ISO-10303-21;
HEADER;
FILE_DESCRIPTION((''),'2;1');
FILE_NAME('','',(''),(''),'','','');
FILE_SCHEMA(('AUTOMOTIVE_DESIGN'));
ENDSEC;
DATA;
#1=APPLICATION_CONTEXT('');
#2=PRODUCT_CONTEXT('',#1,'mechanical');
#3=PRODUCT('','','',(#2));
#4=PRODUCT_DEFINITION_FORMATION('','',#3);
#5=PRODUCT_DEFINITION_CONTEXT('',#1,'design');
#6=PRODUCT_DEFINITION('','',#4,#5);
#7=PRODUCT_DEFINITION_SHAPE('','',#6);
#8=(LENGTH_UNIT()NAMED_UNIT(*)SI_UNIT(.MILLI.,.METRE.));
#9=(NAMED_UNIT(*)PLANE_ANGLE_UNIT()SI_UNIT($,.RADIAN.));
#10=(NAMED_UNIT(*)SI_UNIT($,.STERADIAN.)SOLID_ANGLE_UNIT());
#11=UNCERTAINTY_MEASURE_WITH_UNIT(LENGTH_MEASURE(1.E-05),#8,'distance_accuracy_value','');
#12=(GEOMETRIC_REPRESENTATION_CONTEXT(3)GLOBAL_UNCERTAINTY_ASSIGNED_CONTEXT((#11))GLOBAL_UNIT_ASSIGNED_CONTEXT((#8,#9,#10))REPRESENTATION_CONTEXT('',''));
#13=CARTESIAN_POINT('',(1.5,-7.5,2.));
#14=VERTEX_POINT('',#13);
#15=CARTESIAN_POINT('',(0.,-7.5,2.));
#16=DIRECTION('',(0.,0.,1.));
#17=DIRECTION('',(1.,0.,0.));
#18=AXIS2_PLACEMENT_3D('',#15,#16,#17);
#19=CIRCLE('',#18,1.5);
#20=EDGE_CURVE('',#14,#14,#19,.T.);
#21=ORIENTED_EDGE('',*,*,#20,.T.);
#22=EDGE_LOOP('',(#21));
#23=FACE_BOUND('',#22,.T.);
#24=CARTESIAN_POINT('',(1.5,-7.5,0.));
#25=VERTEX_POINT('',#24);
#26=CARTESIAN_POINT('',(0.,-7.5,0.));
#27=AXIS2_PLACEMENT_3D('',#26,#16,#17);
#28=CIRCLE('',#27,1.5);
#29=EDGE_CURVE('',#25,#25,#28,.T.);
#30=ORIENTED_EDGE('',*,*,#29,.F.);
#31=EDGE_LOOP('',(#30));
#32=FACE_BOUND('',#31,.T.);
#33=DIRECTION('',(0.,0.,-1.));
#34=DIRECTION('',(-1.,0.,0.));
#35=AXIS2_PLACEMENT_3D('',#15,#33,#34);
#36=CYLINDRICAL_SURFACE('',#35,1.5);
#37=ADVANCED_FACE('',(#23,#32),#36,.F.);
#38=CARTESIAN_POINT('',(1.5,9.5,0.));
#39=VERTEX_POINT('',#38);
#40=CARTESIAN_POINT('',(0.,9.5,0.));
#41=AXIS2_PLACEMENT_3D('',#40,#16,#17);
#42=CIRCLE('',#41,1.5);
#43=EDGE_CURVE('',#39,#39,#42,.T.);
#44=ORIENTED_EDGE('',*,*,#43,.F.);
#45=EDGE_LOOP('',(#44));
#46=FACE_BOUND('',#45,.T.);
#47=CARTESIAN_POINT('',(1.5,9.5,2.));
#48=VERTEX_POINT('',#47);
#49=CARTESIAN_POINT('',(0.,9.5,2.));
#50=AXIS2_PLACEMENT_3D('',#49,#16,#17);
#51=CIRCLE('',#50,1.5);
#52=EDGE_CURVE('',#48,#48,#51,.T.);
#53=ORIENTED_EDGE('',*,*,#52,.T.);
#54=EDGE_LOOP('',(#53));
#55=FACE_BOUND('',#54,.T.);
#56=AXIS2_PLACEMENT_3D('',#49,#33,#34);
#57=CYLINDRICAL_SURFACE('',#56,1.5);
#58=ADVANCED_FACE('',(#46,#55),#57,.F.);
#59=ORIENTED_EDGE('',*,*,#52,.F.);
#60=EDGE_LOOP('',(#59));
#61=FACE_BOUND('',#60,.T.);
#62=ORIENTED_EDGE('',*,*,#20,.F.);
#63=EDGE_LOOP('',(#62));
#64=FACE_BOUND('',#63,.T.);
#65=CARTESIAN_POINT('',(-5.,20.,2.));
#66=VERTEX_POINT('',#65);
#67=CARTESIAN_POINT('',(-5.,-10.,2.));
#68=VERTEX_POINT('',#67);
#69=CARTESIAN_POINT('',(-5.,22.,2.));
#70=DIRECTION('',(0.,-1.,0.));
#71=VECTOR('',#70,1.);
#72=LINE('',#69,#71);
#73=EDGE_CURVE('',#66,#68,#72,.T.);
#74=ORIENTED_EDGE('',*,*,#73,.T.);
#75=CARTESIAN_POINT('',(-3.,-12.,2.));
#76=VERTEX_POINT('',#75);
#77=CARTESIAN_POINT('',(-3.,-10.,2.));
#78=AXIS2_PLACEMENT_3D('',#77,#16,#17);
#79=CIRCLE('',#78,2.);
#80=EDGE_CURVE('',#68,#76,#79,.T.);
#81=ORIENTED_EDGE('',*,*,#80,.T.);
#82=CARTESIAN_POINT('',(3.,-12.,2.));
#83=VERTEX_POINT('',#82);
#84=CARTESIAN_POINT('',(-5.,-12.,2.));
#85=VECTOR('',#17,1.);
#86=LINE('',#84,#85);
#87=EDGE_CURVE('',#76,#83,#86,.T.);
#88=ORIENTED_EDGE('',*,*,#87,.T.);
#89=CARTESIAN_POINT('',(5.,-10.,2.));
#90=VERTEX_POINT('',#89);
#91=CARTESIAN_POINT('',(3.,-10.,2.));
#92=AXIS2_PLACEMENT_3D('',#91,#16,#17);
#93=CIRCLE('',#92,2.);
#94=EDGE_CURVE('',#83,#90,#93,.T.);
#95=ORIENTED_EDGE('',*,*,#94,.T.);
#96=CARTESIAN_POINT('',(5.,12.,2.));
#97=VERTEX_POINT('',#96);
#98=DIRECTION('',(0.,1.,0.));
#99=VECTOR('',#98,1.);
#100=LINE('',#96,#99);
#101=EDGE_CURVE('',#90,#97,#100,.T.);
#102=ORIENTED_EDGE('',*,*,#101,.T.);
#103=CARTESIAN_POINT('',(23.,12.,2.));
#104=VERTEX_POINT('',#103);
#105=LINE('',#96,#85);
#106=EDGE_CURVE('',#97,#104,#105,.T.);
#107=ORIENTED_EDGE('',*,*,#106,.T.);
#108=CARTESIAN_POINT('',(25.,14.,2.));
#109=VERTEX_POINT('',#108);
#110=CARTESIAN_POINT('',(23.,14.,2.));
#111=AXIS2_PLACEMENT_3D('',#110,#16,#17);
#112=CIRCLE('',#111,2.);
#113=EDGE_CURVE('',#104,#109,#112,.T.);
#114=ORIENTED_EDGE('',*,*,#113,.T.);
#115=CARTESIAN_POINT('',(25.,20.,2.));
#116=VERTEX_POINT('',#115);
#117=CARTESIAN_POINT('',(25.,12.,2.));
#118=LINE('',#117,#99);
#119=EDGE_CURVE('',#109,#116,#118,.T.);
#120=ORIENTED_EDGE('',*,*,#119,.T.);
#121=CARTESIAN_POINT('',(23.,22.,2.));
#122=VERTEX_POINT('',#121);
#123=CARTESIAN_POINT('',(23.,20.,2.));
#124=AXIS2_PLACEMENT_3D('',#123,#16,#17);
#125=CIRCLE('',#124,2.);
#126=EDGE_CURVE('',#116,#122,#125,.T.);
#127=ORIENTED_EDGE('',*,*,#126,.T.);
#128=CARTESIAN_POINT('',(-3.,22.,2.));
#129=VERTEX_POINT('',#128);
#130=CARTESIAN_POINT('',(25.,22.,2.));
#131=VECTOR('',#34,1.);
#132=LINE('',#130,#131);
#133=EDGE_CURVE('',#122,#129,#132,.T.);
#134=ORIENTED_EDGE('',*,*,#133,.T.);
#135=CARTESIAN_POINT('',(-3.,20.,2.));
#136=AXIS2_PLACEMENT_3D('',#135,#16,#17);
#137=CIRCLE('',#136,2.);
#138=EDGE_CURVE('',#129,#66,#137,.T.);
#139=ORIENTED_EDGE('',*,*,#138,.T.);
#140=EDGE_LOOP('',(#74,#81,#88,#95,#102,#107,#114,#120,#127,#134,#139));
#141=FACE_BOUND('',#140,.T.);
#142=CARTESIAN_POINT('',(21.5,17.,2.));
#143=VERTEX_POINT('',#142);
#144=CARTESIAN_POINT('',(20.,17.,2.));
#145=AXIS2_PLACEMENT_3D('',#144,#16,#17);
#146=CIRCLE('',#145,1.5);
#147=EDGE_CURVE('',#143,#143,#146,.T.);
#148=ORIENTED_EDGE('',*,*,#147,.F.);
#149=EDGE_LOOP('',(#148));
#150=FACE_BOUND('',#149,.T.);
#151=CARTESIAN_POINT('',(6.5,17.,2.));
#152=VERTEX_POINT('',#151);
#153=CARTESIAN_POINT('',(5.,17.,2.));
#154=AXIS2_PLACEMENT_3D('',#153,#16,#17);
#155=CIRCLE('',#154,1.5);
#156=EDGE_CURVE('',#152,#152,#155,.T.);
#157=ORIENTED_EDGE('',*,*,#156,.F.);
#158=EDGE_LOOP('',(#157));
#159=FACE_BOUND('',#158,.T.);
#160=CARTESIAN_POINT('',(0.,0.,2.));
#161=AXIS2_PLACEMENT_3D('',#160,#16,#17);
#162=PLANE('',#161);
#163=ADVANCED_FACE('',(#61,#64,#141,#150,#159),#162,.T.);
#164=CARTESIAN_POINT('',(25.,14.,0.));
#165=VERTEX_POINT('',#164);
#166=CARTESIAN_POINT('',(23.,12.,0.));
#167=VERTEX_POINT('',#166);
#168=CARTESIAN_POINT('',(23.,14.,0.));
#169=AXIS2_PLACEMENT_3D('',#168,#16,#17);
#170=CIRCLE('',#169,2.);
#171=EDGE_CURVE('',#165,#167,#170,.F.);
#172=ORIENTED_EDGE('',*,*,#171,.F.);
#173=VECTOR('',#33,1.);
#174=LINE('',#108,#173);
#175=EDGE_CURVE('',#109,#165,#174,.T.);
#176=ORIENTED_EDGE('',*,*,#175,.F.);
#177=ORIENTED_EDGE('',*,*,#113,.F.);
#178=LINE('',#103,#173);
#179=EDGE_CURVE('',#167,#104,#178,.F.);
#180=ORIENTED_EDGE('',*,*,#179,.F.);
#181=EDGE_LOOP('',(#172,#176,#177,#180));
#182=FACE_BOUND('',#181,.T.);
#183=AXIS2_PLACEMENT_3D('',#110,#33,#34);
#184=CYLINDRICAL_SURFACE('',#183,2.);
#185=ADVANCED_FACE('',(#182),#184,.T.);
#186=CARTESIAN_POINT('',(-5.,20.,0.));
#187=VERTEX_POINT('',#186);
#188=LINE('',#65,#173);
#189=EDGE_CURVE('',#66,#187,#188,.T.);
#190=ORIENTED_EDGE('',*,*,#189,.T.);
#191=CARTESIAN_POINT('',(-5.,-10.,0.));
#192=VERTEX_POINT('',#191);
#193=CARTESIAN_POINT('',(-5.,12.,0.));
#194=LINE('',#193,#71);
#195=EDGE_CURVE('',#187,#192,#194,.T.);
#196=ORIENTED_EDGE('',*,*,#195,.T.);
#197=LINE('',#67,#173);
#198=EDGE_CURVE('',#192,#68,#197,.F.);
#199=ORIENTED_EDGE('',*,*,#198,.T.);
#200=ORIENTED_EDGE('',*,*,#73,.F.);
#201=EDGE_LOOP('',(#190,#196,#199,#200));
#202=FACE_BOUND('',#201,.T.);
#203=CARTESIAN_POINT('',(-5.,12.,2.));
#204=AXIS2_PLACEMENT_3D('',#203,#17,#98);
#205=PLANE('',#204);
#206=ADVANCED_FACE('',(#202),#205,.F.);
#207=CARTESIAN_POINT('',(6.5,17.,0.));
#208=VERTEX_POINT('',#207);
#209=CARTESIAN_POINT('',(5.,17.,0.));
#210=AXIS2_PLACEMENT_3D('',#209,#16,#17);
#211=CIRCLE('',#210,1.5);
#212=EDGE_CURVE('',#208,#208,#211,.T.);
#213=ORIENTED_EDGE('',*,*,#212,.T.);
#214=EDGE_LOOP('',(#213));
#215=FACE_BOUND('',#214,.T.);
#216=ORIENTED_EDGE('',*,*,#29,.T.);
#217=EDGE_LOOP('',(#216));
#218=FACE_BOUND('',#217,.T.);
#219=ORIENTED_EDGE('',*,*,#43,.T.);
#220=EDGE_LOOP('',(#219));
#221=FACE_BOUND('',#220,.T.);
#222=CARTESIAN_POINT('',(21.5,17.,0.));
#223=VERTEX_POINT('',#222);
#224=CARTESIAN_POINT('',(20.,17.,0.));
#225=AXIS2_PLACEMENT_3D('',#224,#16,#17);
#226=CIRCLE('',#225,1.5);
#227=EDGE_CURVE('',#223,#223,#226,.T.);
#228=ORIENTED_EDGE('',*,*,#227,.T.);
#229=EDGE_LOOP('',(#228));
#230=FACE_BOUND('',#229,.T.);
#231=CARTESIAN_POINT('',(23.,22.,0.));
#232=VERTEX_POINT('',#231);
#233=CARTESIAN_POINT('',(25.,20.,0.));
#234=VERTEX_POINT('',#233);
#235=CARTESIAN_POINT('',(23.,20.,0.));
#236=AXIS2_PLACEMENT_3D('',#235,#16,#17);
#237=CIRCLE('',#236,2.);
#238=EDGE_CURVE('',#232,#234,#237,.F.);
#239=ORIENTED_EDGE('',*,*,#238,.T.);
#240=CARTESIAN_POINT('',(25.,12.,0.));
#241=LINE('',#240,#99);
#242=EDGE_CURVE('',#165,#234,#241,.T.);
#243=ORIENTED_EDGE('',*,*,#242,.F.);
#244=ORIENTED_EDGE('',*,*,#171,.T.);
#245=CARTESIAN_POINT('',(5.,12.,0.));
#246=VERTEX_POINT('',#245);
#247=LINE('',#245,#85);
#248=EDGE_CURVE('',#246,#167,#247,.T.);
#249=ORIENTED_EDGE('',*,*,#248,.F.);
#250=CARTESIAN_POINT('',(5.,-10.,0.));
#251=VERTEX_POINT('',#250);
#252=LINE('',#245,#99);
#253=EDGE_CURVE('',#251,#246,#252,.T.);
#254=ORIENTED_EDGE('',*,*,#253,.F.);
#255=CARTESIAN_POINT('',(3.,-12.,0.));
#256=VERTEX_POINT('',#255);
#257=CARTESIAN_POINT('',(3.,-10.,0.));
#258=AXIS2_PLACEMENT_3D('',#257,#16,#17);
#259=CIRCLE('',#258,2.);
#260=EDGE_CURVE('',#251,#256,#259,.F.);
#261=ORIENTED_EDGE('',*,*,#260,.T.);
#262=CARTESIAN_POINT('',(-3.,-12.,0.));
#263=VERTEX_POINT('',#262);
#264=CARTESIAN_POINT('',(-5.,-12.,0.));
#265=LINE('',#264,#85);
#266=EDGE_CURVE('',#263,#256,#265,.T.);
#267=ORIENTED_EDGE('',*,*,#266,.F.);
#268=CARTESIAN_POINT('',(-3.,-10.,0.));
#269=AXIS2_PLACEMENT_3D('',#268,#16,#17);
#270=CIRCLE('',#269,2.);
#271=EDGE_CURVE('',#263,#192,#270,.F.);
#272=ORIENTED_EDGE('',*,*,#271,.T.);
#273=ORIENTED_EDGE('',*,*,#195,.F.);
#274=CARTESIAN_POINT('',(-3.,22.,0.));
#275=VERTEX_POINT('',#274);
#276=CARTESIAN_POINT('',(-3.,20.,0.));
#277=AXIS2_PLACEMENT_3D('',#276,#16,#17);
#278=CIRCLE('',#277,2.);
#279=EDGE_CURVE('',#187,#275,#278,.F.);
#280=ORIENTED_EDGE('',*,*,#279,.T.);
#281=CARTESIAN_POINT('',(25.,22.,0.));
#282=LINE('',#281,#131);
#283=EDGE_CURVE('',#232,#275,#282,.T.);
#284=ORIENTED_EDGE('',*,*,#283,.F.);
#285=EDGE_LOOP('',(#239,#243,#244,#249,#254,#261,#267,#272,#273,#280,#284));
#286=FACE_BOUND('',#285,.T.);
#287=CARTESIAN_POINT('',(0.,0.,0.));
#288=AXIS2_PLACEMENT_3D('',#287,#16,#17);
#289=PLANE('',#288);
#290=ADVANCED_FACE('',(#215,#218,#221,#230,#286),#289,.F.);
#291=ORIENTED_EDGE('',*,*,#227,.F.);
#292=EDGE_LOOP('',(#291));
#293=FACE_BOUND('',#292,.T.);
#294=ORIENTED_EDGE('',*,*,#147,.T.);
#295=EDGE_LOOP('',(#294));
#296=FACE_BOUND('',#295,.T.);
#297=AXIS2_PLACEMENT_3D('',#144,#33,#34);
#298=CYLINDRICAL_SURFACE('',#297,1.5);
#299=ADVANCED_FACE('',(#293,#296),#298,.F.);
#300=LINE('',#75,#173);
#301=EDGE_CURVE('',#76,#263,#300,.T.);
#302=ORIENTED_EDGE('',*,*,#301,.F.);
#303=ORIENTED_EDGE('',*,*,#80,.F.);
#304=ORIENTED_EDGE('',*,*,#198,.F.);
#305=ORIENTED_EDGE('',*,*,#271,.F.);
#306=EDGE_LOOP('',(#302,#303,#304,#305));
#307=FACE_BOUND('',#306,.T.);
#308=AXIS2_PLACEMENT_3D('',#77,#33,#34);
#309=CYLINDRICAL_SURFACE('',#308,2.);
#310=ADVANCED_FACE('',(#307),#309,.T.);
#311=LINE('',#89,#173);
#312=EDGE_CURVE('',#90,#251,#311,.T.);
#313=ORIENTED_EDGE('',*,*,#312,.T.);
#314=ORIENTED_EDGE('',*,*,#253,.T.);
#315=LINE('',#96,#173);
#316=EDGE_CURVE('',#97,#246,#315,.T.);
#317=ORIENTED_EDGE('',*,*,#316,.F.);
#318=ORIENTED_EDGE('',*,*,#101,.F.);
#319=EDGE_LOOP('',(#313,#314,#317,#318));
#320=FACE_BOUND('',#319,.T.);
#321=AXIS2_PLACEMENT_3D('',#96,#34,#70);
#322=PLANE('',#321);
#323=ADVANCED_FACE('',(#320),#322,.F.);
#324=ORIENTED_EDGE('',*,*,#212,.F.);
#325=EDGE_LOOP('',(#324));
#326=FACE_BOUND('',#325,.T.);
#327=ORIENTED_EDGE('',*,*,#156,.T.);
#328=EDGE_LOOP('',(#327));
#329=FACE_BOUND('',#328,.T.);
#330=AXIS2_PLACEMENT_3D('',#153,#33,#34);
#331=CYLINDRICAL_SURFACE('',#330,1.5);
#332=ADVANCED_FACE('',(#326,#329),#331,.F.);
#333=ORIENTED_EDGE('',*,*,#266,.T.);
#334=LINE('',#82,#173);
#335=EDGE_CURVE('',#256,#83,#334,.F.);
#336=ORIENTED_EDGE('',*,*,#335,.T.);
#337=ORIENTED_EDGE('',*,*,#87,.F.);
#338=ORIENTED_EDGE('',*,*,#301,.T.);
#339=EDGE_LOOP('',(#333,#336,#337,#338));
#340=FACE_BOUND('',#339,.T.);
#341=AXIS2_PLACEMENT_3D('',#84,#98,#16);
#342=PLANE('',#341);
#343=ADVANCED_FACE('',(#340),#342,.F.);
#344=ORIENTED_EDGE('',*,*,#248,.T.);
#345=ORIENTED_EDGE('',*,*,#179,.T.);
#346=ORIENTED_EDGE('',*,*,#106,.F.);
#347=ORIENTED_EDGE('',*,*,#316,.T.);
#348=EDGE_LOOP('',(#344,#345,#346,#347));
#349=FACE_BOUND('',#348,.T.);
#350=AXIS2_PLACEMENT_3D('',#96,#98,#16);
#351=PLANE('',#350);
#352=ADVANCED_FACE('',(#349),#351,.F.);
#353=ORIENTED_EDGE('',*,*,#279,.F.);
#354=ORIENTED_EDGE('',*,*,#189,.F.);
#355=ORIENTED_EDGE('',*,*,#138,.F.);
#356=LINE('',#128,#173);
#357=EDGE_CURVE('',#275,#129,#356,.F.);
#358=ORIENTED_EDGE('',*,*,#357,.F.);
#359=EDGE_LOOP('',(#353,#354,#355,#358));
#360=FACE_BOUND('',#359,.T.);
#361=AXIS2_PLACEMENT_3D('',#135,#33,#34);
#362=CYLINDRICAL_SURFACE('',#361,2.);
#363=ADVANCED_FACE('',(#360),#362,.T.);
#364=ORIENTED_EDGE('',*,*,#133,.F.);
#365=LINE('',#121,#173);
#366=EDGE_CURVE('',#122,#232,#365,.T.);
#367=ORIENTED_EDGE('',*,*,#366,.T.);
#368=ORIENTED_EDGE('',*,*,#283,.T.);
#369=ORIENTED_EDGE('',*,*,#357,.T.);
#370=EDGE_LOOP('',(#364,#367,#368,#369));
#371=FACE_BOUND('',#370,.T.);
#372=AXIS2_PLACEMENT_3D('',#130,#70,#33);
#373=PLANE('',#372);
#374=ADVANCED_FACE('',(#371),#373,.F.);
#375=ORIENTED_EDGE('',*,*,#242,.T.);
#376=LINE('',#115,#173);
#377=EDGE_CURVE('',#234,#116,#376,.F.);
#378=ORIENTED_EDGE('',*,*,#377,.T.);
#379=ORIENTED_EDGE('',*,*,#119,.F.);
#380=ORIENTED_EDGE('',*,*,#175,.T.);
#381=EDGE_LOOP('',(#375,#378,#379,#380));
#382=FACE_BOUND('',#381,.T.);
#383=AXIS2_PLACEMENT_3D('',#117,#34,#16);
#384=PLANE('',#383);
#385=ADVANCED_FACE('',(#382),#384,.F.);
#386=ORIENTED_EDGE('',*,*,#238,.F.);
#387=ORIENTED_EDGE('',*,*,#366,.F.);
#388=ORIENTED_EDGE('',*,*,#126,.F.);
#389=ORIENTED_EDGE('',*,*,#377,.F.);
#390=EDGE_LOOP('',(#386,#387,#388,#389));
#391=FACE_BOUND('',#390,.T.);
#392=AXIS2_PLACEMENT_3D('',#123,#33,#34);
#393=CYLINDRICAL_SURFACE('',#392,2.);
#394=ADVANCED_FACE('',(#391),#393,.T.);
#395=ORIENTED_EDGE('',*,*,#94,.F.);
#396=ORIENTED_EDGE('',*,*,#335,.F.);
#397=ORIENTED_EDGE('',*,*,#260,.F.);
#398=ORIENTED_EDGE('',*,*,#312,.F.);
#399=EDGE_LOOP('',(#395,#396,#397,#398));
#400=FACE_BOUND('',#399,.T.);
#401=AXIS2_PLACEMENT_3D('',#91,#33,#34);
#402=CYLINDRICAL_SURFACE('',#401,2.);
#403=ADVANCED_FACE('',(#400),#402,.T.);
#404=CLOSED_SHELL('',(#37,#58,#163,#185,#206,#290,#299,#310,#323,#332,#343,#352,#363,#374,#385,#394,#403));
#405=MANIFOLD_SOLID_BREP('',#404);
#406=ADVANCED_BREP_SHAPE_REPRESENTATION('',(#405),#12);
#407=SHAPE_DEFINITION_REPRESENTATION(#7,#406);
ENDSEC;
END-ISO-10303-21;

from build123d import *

# Parameters (mm, degrees)
SKETCH1_R           = 1.5
BOSS_EXTRUDE1_DEPTH = 2
FILLET1_R           = 2


with BuildPart() as part:
    # Sketch1 → Boss-Extrude1 (new body)
    with BuildSketch(Plane.XY):
        Polygon((-5, 12), (-5, -12), (5, -12), (5, 12), (25, 12), (25, 22), (-5, 22), align=None)
        with Locations((0, 9.5)):
            Circle(SKETCH1_R, mode=Mode.SUBTRACT)
        with Locations((0, -7.5)):
            Circle(SKETCH1_R, mode=Mode.SUBTRACT)
        with Locations((5, 17)):
            Circle(SKETCH1_R, mode=Mode.SUBTRACT)
        with Locations((20, 17)):
            Circle(SKETCH1_R, mode=Mode.SUBTRACT)
    extrude(amount=BOSS_EXTRUDE1_DEPTH)

    # Fillet1
    fillet1_edges = [part.edges().sort_by_distance(p)[0] for p in [
        (5, -12, 1),
        (-5, -12, 1),
        (-5, 22, 1),
        (25, 22, 1),
        (25, 12, 1),
    ]]
    fillet(fillet1_edges, radius=FILLET1_R)


solid = part.part
